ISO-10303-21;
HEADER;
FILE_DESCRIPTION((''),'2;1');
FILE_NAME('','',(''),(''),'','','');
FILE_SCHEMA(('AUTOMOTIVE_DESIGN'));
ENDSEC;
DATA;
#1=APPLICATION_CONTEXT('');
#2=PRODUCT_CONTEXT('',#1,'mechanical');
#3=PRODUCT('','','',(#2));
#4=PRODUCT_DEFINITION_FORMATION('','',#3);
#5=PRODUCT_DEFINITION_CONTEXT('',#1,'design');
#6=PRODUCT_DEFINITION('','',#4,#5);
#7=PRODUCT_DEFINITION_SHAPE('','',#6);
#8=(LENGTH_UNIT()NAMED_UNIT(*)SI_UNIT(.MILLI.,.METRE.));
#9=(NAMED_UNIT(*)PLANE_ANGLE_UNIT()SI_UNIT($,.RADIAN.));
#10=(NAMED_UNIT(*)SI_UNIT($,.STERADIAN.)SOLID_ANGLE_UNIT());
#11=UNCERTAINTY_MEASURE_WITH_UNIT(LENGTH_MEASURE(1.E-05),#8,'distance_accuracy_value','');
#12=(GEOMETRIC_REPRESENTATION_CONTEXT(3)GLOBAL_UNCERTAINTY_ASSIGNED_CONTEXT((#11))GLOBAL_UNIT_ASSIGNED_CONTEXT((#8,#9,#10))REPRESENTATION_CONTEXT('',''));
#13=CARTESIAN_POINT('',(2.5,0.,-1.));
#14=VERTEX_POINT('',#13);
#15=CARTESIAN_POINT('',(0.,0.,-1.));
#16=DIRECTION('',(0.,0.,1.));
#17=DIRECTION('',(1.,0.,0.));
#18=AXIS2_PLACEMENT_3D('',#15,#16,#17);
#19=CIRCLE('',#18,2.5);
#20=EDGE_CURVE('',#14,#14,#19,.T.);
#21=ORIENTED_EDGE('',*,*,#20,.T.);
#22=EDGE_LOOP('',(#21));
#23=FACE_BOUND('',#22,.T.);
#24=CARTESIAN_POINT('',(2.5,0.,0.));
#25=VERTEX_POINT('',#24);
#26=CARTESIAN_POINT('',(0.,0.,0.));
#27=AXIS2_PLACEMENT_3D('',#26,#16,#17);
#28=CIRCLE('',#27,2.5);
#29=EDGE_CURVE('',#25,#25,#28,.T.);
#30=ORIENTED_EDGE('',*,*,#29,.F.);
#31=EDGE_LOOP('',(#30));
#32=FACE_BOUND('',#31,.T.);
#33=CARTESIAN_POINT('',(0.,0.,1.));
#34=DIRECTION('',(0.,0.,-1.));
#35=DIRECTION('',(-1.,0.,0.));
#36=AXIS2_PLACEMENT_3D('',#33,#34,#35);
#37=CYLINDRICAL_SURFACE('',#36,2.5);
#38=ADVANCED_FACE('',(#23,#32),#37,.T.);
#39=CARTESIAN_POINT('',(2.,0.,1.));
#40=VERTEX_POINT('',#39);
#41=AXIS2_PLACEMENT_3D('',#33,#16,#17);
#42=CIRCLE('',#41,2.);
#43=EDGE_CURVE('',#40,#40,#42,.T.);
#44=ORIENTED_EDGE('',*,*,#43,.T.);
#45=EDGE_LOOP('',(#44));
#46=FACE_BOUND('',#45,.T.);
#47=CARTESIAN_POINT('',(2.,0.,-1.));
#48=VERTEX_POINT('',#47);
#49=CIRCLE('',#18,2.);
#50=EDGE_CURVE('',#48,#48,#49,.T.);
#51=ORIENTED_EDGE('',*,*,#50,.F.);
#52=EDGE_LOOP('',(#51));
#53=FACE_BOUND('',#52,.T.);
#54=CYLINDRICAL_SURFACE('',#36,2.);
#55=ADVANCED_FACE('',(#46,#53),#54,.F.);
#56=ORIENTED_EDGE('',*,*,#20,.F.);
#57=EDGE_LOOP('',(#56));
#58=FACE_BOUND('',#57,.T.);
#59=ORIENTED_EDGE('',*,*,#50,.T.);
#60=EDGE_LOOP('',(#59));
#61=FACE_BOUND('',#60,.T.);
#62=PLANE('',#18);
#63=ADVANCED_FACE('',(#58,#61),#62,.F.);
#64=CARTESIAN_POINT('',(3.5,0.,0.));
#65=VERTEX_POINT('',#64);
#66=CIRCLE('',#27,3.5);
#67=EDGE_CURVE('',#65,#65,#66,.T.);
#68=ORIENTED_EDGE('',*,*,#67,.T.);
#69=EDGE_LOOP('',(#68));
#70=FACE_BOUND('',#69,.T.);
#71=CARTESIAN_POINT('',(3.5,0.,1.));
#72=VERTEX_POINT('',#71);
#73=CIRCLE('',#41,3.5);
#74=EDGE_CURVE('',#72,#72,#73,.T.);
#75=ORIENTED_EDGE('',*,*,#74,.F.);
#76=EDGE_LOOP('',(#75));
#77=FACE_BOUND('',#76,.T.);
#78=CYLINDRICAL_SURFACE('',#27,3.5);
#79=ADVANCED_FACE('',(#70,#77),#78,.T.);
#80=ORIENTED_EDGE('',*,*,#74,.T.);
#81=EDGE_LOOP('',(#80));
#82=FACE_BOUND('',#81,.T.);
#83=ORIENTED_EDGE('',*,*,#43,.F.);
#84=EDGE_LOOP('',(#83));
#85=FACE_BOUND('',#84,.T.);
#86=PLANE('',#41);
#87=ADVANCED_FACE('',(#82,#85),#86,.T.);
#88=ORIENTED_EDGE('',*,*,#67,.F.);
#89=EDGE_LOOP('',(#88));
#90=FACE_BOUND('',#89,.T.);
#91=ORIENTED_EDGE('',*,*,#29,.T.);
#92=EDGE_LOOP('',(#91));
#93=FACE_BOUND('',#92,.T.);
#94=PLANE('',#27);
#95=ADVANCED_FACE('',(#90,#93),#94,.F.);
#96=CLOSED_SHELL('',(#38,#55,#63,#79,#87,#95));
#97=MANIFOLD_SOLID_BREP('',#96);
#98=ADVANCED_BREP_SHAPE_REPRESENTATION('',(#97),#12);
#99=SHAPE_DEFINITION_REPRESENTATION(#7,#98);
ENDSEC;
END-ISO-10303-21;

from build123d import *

# Parameters (mm, degrees)
SKIZZE1_R                       = 2.5
SKIZZE1_R_2                     = 2
AUFSATZ_LINEAR_AUSTRAGEN1_DEPTH = 1
SKIZZE2_R                       = 3.5
SKIZZE2_R_2                     = 2
AUFSATZ_LINEAR_AUSTRAGEN2_DEPTH = 1


with BuildPart() as part:
    # Skizze1 → Aufsatz-Linear austragen1 (new body, symmetric)
    with BuildSketch(Plane.XY):
        Circle(SKIZZE1_R)
        Circle(SKIZZE1_R_2, mode=Mode.SUBTRACT)
    extrude(amount=AUFSATZ_LINEAR_AUSTRAGEN1_DEPTH, both=True)

    # Skizze2 → Aufsatz-Linear austragen2 (add)
    with BuildSketch(Plane.XY.offset(1)):
        Circle(SKIZZE2_R)
        Circle(SKIZZE2_R_2, mode=Mode.SUBTRACT)
    extrude(amount=-AUFSATZ_LINEAR_AUSTRAGEN2_DEPTH)


solid = part.part
